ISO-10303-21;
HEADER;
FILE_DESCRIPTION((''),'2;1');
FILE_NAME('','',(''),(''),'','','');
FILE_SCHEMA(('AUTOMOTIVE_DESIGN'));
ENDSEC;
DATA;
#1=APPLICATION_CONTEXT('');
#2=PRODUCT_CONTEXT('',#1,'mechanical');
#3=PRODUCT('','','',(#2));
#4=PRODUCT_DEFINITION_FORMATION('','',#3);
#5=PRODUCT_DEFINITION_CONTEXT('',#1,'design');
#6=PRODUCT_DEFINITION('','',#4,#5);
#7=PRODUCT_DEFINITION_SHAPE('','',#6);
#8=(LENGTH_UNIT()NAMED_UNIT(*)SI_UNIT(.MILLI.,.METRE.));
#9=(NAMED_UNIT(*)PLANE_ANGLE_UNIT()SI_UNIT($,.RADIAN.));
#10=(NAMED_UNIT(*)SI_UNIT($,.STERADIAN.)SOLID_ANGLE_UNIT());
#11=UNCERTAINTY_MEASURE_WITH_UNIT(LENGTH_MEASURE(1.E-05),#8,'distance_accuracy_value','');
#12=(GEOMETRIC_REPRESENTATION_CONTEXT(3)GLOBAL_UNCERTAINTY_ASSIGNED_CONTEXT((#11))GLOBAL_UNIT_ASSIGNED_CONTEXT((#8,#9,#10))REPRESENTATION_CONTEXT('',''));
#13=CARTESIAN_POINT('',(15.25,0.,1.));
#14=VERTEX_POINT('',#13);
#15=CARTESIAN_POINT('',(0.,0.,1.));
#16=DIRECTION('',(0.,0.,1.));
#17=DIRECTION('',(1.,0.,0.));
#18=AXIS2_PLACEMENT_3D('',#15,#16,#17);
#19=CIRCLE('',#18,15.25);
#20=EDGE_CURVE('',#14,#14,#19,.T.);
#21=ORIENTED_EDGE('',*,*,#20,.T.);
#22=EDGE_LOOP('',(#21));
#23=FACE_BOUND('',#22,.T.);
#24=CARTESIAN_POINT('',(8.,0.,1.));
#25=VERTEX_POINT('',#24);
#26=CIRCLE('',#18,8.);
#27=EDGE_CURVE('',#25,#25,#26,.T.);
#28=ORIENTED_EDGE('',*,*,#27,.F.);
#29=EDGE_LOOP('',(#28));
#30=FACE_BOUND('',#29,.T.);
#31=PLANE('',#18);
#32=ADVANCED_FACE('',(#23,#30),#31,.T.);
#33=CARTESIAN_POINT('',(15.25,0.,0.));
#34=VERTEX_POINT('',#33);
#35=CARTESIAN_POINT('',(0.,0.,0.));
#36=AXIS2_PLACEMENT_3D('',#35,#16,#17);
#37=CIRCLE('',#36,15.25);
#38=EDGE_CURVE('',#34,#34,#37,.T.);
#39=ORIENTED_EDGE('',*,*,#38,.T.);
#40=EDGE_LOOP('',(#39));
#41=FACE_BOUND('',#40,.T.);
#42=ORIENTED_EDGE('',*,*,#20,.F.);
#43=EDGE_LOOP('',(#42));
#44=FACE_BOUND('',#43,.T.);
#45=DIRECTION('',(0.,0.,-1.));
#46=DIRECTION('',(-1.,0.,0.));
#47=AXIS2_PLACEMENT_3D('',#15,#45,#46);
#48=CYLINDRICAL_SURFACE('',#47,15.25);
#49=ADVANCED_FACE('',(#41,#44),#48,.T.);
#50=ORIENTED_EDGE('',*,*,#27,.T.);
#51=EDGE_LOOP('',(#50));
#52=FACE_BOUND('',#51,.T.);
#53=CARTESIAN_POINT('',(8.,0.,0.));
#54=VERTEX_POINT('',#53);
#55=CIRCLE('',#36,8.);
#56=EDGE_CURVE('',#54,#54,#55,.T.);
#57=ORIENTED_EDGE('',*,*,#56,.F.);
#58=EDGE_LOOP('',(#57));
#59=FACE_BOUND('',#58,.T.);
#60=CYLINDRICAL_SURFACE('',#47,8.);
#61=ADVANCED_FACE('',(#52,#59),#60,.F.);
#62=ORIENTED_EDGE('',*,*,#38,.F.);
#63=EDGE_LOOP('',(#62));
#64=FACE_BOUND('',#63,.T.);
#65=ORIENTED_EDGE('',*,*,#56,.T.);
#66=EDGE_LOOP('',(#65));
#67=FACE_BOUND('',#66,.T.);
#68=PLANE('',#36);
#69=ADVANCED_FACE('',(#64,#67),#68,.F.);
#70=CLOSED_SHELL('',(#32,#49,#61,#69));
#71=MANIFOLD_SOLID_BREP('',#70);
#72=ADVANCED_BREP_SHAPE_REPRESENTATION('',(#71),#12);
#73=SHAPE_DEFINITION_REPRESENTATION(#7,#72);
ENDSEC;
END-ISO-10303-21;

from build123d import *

# Parameters (mm, degrees)
ESQUISSE1_R          = 15.25
ESQUISSE1_R_2        = 8
BASE_EXTRUSION_DEPTH = 1


with BuildPart() as part:
    # Esquisse1 → Base-Extrusion (new body)
    with BuildSketch(Plane.XY):
        Circle(ESQUISSE1_R)
        Circle(ESQUISSE1_R_2, mode=Mode.SUBTRACT)
    extrude(amount=BASE_EXTRUSION_DEPTH)


solid = part.part
